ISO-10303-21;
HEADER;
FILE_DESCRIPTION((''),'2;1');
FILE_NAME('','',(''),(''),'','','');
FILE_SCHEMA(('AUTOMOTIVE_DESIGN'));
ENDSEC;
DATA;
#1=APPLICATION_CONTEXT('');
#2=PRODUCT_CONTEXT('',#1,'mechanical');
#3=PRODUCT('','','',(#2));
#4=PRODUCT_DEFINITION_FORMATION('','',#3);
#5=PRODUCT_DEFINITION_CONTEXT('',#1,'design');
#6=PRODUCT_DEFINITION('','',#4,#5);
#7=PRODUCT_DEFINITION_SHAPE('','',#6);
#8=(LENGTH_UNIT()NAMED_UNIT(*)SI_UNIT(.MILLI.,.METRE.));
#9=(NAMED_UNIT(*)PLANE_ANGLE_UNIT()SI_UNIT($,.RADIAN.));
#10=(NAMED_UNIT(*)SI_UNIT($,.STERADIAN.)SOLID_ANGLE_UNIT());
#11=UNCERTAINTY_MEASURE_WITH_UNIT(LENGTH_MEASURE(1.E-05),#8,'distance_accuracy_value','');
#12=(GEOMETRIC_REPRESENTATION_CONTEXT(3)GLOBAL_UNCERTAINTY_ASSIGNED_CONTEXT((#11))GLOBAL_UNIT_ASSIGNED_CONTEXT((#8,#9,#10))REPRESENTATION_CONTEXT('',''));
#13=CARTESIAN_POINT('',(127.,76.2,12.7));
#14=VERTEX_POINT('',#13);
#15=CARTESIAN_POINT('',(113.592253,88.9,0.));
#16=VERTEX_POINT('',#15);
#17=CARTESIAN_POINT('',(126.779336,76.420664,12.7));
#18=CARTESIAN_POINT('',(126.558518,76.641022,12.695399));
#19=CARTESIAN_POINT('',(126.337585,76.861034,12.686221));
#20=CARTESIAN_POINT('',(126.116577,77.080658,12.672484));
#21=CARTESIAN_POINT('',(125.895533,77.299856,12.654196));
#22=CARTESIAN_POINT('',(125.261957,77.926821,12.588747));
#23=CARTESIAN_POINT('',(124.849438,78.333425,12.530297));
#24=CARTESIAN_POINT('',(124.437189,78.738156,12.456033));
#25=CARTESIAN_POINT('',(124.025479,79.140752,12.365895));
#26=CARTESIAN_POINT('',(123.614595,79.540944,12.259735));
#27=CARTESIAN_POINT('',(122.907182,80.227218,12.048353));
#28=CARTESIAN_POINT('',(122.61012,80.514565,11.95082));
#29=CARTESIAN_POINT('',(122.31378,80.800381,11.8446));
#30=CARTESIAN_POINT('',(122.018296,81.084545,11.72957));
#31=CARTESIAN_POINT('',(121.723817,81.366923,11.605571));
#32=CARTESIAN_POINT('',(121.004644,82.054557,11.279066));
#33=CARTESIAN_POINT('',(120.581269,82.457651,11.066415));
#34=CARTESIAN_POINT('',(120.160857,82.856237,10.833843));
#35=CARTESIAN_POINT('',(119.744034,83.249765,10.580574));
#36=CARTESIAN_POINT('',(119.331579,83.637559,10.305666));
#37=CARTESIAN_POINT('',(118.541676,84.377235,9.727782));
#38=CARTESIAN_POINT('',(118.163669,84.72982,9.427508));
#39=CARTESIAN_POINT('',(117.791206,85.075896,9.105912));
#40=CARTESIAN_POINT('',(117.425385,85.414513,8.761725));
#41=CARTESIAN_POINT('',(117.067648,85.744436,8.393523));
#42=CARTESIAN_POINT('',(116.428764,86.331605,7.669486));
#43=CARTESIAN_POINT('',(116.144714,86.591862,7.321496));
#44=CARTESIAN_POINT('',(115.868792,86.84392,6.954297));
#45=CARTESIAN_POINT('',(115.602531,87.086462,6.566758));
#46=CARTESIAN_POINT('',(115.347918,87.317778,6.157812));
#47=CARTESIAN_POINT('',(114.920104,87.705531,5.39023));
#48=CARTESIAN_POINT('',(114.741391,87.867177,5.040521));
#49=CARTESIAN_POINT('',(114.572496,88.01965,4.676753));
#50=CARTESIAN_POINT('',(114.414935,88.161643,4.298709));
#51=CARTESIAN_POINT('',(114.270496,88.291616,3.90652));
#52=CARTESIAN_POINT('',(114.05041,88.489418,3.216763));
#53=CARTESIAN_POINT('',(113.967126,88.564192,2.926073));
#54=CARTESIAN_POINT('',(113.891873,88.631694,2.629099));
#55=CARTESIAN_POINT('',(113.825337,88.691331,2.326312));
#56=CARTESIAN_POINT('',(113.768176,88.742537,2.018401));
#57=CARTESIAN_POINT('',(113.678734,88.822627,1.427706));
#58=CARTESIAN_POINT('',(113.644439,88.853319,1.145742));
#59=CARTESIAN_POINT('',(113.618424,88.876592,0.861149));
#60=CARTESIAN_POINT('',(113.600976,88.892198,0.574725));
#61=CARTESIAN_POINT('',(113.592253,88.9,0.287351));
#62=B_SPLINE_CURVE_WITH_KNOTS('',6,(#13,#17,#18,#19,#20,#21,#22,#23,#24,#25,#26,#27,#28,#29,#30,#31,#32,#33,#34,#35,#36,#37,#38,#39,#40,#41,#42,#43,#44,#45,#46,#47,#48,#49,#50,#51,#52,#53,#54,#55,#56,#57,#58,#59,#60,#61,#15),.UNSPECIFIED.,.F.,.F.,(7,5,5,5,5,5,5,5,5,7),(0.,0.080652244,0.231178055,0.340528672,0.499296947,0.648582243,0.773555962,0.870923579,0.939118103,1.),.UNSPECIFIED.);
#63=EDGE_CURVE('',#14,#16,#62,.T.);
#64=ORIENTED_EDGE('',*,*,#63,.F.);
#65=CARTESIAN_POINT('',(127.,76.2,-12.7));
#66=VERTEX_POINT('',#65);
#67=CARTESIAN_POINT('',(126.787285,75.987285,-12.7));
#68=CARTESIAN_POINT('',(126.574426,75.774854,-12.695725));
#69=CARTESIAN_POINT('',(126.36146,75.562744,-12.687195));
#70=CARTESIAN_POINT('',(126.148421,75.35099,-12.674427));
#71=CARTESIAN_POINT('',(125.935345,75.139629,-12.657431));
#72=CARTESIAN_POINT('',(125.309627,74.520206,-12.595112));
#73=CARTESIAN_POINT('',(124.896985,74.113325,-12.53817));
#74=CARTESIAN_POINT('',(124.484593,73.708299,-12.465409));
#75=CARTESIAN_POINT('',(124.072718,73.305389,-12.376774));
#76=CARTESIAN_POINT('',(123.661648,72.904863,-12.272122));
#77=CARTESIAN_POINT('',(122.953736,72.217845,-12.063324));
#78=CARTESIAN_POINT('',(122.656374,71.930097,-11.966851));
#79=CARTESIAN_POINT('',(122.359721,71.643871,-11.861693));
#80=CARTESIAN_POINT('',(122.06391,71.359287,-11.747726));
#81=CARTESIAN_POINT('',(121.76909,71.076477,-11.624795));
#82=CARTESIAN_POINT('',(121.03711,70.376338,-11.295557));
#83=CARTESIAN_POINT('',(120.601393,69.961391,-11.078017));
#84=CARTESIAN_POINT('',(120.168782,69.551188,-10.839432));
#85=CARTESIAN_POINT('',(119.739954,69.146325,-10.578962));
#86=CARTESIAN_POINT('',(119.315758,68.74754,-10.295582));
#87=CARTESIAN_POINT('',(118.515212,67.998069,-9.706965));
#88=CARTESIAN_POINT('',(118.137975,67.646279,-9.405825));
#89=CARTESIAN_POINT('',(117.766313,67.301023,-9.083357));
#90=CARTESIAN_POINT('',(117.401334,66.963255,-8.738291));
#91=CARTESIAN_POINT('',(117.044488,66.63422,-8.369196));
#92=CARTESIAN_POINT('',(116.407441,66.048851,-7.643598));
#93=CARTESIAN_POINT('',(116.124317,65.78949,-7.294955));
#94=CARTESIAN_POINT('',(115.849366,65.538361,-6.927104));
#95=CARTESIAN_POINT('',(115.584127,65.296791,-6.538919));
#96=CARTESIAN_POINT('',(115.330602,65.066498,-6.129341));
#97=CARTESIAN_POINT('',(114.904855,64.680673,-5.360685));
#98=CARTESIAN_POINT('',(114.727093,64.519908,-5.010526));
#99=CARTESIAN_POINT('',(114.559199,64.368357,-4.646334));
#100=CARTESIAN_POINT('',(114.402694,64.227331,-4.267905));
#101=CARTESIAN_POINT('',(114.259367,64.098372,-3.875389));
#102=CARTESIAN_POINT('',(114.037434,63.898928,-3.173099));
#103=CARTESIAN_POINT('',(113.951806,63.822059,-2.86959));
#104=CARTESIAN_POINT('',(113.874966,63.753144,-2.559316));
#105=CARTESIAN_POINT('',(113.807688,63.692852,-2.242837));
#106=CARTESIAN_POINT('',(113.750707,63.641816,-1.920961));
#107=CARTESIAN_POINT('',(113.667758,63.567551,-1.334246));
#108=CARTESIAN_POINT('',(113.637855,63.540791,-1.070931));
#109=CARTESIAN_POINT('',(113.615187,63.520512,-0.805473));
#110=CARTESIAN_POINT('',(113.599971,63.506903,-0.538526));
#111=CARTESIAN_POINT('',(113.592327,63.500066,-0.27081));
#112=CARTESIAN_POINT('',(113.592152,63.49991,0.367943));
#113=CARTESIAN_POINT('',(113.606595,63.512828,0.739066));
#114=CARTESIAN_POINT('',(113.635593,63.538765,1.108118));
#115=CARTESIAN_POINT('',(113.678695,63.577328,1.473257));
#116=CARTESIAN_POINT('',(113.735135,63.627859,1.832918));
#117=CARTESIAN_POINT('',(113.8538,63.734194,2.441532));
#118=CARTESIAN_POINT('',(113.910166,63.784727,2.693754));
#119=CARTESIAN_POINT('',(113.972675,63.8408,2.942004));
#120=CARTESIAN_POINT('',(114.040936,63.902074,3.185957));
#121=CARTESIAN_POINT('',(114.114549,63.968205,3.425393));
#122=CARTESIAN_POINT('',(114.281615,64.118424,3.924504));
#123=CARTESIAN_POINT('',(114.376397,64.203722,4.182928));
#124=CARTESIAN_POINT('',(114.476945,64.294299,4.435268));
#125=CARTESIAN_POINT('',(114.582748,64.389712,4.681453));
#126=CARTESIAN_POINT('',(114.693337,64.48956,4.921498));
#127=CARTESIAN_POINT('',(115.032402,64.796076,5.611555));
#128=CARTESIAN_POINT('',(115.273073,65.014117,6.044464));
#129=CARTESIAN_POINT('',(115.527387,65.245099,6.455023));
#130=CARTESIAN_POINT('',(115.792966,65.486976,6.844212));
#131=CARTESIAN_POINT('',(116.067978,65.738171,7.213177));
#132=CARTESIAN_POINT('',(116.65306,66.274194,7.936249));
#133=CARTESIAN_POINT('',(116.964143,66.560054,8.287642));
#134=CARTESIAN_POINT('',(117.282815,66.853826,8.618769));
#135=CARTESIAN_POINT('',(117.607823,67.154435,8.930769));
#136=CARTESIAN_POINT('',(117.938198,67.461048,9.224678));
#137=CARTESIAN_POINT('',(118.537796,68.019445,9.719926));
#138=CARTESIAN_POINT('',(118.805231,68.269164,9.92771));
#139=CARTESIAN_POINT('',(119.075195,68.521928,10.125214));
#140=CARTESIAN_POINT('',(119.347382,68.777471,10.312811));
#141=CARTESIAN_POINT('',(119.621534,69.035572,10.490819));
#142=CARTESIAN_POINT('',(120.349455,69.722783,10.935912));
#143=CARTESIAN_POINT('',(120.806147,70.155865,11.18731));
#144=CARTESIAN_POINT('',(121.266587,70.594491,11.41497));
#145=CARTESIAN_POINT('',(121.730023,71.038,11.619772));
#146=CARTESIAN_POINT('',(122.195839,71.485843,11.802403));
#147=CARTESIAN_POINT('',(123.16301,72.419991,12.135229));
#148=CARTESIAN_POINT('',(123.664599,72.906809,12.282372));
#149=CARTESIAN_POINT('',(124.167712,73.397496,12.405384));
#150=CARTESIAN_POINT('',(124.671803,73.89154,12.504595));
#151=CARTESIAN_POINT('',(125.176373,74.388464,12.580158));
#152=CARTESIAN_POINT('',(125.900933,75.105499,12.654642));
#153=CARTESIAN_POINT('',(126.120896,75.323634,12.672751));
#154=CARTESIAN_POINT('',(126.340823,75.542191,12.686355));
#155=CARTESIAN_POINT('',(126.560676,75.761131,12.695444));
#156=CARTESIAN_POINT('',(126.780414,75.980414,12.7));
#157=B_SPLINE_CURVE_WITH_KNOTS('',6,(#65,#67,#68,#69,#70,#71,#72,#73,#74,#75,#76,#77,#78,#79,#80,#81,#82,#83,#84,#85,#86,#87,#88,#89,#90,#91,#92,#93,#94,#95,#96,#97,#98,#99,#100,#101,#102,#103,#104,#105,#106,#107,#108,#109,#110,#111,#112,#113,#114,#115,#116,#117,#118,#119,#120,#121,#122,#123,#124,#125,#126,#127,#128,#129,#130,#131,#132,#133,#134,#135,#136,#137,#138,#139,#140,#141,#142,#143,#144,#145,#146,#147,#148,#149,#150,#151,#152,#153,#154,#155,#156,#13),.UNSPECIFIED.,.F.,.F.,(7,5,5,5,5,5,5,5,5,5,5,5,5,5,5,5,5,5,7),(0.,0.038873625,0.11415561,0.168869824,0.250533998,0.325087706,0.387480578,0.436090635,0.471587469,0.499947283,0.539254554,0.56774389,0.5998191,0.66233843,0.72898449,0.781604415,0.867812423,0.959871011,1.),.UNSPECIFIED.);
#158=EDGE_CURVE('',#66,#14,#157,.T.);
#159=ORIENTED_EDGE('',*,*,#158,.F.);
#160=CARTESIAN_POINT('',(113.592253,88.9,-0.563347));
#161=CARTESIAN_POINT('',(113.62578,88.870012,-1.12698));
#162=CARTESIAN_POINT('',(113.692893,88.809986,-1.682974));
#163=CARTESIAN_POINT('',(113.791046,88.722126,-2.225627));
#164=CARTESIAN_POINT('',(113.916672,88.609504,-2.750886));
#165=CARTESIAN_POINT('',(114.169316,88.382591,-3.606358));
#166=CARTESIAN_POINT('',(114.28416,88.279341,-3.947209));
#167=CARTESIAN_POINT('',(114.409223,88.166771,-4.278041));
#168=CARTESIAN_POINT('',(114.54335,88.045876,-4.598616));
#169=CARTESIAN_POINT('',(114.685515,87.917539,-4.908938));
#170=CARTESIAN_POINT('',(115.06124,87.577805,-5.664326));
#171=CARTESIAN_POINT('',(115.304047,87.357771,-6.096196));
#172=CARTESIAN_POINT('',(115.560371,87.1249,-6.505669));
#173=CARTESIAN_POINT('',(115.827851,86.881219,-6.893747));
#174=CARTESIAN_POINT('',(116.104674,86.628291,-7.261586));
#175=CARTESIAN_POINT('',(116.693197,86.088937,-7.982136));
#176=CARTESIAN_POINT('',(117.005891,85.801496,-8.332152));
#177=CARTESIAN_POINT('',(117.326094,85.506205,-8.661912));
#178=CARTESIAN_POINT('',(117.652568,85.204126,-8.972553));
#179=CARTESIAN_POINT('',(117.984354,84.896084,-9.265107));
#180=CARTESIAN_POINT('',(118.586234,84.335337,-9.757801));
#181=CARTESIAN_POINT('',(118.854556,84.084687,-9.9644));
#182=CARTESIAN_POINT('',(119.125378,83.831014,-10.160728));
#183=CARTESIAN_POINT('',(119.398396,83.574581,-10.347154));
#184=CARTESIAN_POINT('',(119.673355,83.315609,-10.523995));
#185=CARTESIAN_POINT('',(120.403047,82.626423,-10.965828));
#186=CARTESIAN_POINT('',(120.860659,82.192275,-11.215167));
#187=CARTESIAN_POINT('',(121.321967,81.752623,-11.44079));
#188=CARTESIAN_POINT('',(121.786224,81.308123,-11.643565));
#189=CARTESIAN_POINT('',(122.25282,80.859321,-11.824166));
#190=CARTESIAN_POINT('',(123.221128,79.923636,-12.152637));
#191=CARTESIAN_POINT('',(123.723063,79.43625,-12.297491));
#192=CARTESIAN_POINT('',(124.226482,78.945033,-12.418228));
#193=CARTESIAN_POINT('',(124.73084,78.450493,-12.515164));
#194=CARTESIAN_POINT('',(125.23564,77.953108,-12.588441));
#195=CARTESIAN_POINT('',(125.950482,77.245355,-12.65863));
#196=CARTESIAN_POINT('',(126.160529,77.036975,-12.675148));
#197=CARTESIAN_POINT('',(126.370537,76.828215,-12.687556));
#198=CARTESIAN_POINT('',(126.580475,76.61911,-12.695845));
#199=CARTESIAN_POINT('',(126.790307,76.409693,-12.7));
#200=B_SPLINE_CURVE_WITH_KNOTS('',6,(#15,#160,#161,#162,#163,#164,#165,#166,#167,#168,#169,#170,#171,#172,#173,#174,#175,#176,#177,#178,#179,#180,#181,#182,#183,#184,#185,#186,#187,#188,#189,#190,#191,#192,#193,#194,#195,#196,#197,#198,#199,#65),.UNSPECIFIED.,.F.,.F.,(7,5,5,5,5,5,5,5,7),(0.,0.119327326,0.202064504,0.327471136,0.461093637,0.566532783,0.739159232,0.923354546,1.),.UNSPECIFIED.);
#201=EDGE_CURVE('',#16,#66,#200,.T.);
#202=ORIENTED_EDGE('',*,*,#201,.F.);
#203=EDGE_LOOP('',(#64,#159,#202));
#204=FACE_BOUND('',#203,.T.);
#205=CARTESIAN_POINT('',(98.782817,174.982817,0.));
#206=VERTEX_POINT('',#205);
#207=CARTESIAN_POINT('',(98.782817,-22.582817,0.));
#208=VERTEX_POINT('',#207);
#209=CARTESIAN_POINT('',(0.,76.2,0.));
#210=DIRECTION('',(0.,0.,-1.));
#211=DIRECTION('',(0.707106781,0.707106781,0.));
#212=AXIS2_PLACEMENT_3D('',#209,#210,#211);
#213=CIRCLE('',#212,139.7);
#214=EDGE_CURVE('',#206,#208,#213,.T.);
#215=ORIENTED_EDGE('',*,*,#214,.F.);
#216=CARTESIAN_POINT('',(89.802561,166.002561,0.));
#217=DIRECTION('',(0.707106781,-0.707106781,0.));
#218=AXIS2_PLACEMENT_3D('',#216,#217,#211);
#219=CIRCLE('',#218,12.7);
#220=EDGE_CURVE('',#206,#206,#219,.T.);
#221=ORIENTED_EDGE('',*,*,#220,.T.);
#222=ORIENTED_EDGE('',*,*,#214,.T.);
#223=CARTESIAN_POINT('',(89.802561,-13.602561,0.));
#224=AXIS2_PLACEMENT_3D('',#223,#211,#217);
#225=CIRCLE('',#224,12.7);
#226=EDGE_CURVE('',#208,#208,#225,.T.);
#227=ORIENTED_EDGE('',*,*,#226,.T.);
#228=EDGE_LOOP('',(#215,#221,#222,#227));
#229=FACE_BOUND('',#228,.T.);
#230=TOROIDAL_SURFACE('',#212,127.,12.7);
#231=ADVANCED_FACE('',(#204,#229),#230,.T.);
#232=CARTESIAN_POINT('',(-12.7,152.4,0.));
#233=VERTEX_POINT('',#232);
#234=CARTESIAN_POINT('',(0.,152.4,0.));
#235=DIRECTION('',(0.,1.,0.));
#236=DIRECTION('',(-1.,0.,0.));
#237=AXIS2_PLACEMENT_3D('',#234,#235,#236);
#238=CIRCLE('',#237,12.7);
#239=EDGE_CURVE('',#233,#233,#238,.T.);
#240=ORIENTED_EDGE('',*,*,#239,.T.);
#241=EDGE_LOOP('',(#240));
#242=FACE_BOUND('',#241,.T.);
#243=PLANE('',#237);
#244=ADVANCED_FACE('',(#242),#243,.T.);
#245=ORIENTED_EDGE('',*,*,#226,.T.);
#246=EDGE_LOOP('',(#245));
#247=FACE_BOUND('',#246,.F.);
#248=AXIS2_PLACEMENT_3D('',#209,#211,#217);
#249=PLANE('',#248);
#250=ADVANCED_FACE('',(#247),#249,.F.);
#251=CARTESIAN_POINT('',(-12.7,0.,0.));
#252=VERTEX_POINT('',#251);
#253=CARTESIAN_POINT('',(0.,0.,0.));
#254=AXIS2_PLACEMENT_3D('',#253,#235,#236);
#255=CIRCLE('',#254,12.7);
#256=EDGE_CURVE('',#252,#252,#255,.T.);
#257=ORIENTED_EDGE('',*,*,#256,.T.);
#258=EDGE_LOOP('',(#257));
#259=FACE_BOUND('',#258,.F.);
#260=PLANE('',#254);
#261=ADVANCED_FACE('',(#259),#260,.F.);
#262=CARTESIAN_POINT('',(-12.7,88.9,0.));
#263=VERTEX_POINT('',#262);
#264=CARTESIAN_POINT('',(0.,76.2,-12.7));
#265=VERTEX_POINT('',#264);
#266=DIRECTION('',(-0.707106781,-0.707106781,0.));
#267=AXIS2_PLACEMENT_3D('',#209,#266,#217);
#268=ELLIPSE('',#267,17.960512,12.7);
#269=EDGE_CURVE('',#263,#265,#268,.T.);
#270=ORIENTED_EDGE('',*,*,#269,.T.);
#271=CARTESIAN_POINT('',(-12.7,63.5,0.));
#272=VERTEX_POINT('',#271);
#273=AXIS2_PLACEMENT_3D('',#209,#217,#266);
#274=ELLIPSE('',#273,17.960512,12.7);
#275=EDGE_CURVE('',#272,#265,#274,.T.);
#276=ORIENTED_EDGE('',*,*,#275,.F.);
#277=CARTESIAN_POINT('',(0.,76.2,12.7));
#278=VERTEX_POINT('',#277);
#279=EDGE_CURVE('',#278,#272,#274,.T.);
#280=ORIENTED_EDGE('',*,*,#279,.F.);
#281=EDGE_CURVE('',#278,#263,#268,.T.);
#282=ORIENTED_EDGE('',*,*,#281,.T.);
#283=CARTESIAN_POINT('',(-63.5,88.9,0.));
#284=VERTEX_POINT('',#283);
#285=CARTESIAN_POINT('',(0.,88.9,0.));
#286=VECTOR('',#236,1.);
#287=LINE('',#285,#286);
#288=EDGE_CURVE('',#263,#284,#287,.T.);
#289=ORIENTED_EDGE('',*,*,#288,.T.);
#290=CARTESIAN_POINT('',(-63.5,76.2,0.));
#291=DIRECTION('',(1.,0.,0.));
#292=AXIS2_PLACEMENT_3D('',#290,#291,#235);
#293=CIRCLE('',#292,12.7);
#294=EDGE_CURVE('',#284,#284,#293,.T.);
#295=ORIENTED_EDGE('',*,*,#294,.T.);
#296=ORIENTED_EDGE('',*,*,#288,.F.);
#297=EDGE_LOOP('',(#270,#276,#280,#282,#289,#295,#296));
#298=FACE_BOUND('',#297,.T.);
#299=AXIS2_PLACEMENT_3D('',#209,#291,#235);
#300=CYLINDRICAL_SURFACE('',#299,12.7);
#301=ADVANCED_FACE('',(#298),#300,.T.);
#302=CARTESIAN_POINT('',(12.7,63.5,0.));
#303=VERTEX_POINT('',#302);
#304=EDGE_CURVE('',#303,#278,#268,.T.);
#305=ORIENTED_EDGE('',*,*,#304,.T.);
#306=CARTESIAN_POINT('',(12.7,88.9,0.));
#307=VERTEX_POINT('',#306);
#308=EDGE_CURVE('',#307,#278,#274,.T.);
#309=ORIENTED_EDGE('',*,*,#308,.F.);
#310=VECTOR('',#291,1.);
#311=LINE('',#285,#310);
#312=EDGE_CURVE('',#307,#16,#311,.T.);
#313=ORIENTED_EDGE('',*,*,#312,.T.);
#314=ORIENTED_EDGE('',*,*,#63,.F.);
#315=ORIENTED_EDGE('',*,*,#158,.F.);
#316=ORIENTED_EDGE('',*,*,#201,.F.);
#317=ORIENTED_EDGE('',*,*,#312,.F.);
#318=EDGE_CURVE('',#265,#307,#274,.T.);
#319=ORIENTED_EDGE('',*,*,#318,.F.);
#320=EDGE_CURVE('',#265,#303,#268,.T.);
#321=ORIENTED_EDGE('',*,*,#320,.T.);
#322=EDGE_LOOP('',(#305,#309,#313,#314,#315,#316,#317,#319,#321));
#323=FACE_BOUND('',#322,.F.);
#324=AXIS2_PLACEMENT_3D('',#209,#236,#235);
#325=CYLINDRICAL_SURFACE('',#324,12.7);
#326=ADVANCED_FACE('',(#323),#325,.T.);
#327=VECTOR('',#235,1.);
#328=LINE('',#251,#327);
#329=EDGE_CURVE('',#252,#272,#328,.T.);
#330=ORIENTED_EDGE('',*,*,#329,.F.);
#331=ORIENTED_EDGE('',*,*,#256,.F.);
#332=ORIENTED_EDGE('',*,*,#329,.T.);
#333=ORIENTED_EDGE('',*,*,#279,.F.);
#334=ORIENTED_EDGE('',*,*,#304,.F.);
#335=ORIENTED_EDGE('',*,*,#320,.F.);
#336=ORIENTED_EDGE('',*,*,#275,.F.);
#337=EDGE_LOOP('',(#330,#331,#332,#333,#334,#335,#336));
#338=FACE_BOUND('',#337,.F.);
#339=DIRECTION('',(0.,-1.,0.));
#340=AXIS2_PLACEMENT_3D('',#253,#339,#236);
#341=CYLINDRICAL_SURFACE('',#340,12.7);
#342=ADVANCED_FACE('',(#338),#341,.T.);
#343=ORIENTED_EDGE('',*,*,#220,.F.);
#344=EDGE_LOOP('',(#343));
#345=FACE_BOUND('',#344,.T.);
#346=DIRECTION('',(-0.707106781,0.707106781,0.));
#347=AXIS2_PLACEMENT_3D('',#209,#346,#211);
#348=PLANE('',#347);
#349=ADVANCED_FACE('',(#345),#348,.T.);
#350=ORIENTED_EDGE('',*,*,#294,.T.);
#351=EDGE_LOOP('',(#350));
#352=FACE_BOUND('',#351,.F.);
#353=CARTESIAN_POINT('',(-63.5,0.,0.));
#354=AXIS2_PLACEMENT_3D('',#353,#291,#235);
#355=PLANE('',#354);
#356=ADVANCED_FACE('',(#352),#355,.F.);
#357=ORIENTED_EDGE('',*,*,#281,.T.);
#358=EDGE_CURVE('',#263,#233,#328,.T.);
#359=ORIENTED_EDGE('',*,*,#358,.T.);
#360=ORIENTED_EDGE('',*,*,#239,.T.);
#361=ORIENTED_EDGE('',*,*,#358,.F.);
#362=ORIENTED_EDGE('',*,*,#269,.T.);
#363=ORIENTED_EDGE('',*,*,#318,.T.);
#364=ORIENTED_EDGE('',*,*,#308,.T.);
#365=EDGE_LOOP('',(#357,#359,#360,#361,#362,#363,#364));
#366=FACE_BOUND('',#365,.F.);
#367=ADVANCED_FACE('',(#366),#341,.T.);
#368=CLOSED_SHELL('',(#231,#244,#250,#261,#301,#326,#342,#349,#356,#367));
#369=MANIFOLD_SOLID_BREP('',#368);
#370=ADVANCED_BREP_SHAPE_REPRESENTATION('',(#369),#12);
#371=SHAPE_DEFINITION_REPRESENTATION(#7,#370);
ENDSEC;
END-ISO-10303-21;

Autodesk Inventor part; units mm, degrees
ref_plane "YZ Plane" through (0, 0, 0) normal (1, 0, 0) x (0, 1, 0)
sketch "Sketch1" plane through (0, 0, 0) normal (0, 1, 0) x (-1, 0, 0)
  circle A0 centre (0, 0) radius 12.7
  dimension "d0" = 25.4
extrude "Extrusion1" add sketch "Sketch1" along normal blind 152.4
sketch "Sketch2" plane through (0, 0, 0) normal (1, 0, 0) x (0, 1, 0)
  circle A0 centre (76.2, 0) radius 12.7
  point P0 (0, 0)
extrude "Extrusion2" add sketch "Sketch2" along normal blind 127 and the other way blind 63.5
ref_plane "Work Plane1" through (0, 76.2, 0) normal (0, 1, 0) x (1, 0, 0)
sketch "Sketch3" plane through (0, 76.2, 0) normal (0, 1, 0) x (1, 0, 0)
  line L0 (127, -12.7) -> (127, 12.7) projected
  circle A0 centre (127, 0) radius 12.7
  line L1 (0, -22.5547) -> (0, 28.0783)
  point P0 (0, 0)
revolve "Revolution1" add sketch "Sketch3" angle 90 mid plane about axis through (0, 76.2, 22.5547) along (0, 0, -1)
ref_plane "Work Plane3" through (139.7, 76.2, 12.7) normal (-1, 0, 0) x (0, 0, 1)
ref_plane "Work Plane2" through (127, 76.2, 12.7) normal (-1, 0, 0) x (0, 0, 1)
properties part number "anchorPlaceholder"
